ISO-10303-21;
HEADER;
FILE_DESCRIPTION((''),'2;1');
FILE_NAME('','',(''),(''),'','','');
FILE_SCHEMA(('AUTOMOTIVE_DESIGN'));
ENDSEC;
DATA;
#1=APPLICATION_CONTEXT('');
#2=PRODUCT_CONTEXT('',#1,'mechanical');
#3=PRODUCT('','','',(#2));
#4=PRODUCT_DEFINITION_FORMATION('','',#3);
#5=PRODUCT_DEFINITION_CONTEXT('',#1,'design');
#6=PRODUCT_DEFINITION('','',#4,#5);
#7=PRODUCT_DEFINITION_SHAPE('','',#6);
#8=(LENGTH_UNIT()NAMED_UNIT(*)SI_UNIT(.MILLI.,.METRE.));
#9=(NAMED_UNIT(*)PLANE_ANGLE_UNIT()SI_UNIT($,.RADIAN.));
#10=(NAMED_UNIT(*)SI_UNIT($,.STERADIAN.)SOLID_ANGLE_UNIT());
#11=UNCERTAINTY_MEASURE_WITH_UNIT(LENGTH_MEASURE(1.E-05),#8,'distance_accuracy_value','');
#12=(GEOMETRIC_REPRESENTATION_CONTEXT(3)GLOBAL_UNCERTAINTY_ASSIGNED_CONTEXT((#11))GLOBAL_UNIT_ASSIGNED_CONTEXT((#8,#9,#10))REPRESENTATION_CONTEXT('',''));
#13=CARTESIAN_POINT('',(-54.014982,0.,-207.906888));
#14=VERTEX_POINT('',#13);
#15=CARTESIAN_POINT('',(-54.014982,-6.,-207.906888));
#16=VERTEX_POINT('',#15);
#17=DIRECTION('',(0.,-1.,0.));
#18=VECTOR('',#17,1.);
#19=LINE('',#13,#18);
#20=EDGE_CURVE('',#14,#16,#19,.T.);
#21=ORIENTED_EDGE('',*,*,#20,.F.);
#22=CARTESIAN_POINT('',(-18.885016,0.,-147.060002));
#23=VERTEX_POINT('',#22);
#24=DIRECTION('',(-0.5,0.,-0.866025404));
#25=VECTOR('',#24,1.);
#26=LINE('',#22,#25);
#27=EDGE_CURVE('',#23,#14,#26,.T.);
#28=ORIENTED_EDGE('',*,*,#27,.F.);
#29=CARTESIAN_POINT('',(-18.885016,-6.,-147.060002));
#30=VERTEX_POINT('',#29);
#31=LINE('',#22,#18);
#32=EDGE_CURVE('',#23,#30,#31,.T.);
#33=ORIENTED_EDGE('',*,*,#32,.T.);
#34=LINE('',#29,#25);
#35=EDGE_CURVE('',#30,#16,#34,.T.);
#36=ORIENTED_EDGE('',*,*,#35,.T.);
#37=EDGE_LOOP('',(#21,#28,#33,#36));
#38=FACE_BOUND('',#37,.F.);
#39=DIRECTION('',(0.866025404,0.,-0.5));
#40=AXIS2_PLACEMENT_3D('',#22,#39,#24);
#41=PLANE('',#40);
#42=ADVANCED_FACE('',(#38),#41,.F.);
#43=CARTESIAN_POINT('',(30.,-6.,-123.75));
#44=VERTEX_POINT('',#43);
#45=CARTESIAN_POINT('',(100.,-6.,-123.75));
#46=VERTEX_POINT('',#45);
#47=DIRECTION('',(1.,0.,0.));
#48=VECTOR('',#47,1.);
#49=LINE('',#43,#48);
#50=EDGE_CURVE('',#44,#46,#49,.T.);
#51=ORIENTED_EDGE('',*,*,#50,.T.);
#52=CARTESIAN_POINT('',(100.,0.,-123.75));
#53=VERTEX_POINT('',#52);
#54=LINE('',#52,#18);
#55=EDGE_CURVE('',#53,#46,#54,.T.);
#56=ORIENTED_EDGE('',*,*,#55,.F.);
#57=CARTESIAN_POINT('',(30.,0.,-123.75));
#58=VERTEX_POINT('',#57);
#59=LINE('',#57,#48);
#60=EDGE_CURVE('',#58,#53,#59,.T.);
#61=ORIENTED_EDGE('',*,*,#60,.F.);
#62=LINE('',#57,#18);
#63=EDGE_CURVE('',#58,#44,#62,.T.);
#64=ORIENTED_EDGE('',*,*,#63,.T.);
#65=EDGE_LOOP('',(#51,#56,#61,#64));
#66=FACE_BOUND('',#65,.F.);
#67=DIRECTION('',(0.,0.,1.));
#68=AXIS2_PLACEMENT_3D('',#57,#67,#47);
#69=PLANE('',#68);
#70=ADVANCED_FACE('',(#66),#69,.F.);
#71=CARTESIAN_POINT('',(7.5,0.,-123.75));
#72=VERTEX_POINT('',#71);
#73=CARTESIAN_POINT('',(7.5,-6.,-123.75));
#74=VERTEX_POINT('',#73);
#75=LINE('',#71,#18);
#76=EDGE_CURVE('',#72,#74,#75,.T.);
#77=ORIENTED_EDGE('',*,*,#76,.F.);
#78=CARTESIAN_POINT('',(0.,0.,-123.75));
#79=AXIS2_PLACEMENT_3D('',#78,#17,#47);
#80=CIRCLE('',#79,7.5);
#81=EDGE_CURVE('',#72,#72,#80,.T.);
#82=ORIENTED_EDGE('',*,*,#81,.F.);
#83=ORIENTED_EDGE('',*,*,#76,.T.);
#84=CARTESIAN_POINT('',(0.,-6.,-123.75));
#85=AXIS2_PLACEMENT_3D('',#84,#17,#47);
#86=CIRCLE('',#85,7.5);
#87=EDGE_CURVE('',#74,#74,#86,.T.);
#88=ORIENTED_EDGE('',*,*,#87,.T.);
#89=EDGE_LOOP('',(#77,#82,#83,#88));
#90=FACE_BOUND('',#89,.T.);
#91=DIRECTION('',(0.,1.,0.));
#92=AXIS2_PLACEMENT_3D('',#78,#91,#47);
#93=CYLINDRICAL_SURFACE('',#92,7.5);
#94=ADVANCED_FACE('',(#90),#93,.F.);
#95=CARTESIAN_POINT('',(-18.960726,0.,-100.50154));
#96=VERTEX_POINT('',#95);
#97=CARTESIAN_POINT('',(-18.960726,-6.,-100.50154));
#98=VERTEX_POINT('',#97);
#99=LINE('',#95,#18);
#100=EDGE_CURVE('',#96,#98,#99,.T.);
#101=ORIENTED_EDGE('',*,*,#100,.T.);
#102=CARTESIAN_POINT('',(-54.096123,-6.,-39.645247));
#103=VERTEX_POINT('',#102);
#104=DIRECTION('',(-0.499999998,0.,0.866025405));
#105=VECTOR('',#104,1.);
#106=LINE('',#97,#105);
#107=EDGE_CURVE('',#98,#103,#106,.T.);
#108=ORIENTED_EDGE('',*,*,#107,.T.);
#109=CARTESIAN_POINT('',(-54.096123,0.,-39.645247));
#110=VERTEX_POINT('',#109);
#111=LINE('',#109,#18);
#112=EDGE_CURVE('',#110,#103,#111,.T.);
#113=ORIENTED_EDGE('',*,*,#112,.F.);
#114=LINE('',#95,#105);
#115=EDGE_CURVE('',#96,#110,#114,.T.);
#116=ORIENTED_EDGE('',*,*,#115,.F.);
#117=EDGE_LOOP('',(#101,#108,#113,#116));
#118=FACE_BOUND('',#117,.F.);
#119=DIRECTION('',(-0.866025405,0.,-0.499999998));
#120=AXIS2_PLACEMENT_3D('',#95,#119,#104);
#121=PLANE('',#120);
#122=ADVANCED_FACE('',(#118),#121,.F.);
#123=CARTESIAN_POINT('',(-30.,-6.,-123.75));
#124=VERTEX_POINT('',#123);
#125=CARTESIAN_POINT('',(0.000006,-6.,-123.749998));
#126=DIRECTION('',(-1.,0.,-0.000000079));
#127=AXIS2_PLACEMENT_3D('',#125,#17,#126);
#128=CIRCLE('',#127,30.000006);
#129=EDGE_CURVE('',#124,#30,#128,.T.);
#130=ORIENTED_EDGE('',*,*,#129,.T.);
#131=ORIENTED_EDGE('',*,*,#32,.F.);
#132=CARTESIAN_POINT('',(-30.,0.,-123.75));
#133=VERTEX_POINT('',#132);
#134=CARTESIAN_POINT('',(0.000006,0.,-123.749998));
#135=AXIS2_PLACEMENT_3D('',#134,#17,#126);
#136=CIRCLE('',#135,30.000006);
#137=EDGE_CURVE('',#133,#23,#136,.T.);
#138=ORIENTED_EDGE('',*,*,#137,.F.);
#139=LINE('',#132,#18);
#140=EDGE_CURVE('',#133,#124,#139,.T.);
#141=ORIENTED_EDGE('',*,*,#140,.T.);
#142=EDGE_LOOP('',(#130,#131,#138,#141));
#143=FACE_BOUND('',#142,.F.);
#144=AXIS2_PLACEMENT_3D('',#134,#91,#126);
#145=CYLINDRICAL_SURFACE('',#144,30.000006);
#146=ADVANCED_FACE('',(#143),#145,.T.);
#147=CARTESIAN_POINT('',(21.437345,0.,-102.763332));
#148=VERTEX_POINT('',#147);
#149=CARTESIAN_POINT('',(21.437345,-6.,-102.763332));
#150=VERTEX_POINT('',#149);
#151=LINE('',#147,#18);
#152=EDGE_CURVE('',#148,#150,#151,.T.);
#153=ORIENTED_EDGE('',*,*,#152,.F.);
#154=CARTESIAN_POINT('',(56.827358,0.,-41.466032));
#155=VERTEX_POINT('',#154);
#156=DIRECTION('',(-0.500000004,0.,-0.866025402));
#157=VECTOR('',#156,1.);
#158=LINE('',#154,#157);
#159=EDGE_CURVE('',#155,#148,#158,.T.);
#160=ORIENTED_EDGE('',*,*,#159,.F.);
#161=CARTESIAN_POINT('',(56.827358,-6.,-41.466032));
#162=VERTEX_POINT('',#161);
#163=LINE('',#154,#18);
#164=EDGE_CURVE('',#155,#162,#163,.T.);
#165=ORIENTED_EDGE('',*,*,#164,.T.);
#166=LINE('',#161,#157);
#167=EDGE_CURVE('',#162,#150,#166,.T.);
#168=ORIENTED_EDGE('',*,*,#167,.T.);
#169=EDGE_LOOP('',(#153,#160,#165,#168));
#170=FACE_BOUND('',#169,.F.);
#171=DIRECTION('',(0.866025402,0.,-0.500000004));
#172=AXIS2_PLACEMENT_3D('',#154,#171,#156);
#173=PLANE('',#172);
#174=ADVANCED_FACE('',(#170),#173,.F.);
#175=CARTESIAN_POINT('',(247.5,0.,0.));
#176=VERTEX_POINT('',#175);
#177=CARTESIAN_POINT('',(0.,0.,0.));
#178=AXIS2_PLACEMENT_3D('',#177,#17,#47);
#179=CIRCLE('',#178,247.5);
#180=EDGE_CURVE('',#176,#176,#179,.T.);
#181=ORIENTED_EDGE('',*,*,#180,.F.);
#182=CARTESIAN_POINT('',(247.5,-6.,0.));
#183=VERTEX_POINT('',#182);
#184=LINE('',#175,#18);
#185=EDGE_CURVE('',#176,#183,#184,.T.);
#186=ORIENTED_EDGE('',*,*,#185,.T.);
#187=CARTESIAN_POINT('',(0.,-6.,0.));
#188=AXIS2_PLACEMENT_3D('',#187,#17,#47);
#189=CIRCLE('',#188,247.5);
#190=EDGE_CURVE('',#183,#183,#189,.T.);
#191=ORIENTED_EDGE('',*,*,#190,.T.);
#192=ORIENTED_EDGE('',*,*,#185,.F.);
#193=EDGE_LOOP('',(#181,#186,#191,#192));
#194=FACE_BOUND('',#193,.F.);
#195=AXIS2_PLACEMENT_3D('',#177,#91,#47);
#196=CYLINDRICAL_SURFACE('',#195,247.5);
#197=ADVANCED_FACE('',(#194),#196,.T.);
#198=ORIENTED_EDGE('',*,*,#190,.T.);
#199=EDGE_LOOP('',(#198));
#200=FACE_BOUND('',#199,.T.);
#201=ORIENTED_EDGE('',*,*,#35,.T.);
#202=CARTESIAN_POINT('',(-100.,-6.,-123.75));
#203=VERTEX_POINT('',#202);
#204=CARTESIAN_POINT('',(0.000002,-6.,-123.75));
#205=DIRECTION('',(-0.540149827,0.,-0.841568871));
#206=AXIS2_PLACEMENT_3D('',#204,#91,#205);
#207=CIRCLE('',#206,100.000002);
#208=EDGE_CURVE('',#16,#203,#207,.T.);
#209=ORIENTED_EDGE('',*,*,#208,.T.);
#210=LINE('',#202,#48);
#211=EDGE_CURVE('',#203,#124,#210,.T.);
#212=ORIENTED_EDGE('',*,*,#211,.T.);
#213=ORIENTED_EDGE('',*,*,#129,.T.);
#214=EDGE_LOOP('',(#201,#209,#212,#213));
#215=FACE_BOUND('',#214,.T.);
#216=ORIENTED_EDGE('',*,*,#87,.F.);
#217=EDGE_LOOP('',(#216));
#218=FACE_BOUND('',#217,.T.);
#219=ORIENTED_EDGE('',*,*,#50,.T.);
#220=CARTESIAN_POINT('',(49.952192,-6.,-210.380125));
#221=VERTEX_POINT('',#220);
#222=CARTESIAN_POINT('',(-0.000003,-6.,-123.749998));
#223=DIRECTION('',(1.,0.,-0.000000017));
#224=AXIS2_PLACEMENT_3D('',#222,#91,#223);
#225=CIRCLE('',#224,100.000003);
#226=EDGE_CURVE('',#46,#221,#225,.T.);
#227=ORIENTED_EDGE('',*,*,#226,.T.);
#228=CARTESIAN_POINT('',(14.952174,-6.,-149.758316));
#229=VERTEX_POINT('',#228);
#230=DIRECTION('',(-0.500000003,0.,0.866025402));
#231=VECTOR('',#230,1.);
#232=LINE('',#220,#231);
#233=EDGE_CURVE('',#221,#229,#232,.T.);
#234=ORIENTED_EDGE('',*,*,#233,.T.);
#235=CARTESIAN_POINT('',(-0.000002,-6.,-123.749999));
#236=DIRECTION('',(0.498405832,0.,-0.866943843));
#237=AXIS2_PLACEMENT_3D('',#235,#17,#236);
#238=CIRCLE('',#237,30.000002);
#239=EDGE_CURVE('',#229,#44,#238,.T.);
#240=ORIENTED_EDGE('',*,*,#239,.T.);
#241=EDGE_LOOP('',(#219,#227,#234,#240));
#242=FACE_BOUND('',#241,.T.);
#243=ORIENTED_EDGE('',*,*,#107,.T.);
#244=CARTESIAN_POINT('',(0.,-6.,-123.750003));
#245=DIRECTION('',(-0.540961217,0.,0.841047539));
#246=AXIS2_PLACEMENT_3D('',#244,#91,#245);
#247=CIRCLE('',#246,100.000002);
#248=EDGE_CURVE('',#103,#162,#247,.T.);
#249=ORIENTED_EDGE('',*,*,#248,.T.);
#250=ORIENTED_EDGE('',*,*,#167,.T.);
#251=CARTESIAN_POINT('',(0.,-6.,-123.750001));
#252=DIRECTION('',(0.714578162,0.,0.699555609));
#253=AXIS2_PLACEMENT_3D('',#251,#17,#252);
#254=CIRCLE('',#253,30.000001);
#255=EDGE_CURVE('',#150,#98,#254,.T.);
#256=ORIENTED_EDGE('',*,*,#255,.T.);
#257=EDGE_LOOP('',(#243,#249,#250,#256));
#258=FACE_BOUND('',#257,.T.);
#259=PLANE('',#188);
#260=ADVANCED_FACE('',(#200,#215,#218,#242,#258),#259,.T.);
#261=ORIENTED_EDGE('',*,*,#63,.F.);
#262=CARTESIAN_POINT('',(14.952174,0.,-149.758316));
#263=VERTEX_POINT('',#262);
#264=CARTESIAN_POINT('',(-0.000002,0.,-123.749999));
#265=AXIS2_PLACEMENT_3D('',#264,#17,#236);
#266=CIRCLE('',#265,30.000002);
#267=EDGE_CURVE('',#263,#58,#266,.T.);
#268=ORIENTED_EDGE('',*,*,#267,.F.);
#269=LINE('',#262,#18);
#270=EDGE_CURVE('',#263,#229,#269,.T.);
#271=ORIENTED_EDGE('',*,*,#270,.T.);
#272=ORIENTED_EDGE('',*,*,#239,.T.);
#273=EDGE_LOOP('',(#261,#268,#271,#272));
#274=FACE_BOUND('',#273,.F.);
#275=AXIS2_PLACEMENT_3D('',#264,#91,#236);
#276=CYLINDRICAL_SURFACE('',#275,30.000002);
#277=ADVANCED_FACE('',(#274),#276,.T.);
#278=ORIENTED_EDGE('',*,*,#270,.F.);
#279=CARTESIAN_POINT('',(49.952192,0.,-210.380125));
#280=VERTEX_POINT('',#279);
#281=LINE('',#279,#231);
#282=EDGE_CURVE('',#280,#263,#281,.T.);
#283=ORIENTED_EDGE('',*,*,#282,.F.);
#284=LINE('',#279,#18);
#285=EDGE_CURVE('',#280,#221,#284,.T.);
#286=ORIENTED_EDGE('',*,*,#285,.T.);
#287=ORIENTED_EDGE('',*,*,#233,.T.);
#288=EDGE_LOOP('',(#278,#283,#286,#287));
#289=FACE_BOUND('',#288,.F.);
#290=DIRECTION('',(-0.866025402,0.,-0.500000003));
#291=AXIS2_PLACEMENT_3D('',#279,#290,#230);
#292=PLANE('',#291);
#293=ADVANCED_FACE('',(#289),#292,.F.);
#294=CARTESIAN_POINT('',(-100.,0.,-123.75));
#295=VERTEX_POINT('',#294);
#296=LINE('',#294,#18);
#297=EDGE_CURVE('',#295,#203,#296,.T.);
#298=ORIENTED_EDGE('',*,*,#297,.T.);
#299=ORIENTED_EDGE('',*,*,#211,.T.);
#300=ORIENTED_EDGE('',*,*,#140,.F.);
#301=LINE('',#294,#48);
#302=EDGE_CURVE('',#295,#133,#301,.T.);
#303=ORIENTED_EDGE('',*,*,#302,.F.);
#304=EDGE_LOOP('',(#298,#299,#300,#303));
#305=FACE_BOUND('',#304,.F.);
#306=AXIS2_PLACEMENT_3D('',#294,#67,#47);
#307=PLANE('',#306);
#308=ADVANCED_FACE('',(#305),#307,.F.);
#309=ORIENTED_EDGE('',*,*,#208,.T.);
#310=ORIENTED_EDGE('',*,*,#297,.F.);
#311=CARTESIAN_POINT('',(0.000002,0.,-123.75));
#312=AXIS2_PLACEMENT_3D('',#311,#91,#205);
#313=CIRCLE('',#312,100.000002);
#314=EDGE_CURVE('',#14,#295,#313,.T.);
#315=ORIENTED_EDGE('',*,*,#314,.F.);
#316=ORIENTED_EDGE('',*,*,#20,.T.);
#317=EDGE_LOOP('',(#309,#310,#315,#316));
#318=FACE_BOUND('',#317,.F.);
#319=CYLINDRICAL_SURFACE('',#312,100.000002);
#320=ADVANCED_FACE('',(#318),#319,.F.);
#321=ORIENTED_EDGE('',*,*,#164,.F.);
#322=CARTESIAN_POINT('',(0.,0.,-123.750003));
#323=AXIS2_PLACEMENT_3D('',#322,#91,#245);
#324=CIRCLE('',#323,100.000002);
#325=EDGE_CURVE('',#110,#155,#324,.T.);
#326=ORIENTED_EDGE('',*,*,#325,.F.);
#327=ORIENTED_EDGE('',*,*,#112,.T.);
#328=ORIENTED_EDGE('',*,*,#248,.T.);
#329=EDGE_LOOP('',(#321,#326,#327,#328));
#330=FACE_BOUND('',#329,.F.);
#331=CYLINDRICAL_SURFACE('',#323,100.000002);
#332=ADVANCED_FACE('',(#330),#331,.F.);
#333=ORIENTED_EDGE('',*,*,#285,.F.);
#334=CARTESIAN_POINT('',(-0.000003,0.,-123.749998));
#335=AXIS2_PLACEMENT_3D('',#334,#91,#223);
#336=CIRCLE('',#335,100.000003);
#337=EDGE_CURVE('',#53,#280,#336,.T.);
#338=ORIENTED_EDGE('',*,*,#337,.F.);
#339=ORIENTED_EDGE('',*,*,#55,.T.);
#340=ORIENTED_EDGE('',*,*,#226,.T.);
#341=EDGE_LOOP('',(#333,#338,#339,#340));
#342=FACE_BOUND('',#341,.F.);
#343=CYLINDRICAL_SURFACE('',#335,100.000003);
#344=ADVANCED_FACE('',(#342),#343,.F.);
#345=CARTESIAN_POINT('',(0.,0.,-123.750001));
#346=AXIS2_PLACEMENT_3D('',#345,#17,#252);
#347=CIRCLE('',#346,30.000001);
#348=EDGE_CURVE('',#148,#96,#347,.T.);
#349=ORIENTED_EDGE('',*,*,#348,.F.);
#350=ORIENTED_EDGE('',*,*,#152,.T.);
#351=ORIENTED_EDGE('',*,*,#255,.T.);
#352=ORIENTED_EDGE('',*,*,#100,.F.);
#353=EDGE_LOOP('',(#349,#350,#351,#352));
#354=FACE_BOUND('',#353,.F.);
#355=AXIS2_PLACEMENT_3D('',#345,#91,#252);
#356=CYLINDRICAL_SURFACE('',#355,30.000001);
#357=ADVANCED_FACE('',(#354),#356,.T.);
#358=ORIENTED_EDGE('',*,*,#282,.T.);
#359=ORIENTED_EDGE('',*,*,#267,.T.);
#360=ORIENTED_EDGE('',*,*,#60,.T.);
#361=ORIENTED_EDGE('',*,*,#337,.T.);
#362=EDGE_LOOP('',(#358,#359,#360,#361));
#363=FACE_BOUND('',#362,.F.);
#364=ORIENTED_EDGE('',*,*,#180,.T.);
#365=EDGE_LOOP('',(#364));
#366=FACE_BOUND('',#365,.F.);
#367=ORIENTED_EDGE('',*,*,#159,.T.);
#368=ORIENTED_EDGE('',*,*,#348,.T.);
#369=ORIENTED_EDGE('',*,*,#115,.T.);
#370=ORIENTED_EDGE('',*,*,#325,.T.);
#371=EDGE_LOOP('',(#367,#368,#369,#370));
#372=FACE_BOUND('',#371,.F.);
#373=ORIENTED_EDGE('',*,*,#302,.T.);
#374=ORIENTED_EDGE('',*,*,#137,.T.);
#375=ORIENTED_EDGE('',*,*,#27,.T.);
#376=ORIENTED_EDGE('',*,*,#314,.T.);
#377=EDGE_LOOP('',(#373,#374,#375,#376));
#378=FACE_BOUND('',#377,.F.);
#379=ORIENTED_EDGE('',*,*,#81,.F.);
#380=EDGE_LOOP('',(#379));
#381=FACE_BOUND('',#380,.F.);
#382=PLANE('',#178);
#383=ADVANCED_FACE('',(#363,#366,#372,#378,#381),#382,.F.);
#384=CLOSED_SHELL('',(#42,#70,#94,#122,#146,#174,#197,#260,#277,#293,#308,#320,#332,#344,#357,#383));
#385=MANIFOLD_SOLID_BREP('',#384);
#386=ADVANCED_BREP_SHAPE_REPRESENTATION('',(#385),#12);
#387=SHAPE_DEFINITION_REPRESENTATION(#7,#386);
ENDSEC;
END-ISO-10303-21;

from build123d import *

# Parameters (mm, degrees)
F0_R     = 247.5
F0_R_2   = 7.5
F1_DEPTH = 6


with BuildPart() as f1:
    # F0 (on Front) → F1 (new body)
    with BuildSketch(Plane.XZ):
        Circle(F0_R)
        with BuildLine():
            ThreePointArc((-54.014982, -207.906888), (-87.753912, -171.700505), (-100, -123.75))
            Line((-100, -123.75), (-30, -123.75))
            ThreePointArc((-30, -123.75), (-27.079055, -136.662194), (-18.885016, -147.060002))
            Line((-18.885016, -147.060002), (-54.014982, -207.906888))
        make_face(mode=Mode.SUBTRACT)
        with BuildLine():
            Line((30, -123.75), (100, -123.75))
            ThreePointArc((100, -123.75), (86.588738, -173.773898), (49.952192, -210.380125))
            Line((49.952192, -210.380125), (14.952174, -149.758316))
            ThreePointArc((14.952174, -149.758316), (25.966952, -138.773894), (30, -123.75))
        make_face(mode=Mode.SUBTRACT)
        with Locations((0, -123.75)):
            Circle(F0_R_2, mode=Mode.SUBTRACT)
        with BuildLine():
            Line((-18.960726, -100.50154), (-54.096123, -39.645247))
            ThreePointArc((-54.096123, -39.645247), (1.641257, -23.76347), (56.827358, -41.466032))
            Line((56.827358, -41.466032), (21.437345, -102.763332))
            ThreePointArc((21.437345, -102.763332), (1.677002, -93.796909), (-18.960726, -100.50154))
        make_face(mode=Mode.SUBTRACT)
    extrude(amount=F1_DEPTH)


solid = f1.part
